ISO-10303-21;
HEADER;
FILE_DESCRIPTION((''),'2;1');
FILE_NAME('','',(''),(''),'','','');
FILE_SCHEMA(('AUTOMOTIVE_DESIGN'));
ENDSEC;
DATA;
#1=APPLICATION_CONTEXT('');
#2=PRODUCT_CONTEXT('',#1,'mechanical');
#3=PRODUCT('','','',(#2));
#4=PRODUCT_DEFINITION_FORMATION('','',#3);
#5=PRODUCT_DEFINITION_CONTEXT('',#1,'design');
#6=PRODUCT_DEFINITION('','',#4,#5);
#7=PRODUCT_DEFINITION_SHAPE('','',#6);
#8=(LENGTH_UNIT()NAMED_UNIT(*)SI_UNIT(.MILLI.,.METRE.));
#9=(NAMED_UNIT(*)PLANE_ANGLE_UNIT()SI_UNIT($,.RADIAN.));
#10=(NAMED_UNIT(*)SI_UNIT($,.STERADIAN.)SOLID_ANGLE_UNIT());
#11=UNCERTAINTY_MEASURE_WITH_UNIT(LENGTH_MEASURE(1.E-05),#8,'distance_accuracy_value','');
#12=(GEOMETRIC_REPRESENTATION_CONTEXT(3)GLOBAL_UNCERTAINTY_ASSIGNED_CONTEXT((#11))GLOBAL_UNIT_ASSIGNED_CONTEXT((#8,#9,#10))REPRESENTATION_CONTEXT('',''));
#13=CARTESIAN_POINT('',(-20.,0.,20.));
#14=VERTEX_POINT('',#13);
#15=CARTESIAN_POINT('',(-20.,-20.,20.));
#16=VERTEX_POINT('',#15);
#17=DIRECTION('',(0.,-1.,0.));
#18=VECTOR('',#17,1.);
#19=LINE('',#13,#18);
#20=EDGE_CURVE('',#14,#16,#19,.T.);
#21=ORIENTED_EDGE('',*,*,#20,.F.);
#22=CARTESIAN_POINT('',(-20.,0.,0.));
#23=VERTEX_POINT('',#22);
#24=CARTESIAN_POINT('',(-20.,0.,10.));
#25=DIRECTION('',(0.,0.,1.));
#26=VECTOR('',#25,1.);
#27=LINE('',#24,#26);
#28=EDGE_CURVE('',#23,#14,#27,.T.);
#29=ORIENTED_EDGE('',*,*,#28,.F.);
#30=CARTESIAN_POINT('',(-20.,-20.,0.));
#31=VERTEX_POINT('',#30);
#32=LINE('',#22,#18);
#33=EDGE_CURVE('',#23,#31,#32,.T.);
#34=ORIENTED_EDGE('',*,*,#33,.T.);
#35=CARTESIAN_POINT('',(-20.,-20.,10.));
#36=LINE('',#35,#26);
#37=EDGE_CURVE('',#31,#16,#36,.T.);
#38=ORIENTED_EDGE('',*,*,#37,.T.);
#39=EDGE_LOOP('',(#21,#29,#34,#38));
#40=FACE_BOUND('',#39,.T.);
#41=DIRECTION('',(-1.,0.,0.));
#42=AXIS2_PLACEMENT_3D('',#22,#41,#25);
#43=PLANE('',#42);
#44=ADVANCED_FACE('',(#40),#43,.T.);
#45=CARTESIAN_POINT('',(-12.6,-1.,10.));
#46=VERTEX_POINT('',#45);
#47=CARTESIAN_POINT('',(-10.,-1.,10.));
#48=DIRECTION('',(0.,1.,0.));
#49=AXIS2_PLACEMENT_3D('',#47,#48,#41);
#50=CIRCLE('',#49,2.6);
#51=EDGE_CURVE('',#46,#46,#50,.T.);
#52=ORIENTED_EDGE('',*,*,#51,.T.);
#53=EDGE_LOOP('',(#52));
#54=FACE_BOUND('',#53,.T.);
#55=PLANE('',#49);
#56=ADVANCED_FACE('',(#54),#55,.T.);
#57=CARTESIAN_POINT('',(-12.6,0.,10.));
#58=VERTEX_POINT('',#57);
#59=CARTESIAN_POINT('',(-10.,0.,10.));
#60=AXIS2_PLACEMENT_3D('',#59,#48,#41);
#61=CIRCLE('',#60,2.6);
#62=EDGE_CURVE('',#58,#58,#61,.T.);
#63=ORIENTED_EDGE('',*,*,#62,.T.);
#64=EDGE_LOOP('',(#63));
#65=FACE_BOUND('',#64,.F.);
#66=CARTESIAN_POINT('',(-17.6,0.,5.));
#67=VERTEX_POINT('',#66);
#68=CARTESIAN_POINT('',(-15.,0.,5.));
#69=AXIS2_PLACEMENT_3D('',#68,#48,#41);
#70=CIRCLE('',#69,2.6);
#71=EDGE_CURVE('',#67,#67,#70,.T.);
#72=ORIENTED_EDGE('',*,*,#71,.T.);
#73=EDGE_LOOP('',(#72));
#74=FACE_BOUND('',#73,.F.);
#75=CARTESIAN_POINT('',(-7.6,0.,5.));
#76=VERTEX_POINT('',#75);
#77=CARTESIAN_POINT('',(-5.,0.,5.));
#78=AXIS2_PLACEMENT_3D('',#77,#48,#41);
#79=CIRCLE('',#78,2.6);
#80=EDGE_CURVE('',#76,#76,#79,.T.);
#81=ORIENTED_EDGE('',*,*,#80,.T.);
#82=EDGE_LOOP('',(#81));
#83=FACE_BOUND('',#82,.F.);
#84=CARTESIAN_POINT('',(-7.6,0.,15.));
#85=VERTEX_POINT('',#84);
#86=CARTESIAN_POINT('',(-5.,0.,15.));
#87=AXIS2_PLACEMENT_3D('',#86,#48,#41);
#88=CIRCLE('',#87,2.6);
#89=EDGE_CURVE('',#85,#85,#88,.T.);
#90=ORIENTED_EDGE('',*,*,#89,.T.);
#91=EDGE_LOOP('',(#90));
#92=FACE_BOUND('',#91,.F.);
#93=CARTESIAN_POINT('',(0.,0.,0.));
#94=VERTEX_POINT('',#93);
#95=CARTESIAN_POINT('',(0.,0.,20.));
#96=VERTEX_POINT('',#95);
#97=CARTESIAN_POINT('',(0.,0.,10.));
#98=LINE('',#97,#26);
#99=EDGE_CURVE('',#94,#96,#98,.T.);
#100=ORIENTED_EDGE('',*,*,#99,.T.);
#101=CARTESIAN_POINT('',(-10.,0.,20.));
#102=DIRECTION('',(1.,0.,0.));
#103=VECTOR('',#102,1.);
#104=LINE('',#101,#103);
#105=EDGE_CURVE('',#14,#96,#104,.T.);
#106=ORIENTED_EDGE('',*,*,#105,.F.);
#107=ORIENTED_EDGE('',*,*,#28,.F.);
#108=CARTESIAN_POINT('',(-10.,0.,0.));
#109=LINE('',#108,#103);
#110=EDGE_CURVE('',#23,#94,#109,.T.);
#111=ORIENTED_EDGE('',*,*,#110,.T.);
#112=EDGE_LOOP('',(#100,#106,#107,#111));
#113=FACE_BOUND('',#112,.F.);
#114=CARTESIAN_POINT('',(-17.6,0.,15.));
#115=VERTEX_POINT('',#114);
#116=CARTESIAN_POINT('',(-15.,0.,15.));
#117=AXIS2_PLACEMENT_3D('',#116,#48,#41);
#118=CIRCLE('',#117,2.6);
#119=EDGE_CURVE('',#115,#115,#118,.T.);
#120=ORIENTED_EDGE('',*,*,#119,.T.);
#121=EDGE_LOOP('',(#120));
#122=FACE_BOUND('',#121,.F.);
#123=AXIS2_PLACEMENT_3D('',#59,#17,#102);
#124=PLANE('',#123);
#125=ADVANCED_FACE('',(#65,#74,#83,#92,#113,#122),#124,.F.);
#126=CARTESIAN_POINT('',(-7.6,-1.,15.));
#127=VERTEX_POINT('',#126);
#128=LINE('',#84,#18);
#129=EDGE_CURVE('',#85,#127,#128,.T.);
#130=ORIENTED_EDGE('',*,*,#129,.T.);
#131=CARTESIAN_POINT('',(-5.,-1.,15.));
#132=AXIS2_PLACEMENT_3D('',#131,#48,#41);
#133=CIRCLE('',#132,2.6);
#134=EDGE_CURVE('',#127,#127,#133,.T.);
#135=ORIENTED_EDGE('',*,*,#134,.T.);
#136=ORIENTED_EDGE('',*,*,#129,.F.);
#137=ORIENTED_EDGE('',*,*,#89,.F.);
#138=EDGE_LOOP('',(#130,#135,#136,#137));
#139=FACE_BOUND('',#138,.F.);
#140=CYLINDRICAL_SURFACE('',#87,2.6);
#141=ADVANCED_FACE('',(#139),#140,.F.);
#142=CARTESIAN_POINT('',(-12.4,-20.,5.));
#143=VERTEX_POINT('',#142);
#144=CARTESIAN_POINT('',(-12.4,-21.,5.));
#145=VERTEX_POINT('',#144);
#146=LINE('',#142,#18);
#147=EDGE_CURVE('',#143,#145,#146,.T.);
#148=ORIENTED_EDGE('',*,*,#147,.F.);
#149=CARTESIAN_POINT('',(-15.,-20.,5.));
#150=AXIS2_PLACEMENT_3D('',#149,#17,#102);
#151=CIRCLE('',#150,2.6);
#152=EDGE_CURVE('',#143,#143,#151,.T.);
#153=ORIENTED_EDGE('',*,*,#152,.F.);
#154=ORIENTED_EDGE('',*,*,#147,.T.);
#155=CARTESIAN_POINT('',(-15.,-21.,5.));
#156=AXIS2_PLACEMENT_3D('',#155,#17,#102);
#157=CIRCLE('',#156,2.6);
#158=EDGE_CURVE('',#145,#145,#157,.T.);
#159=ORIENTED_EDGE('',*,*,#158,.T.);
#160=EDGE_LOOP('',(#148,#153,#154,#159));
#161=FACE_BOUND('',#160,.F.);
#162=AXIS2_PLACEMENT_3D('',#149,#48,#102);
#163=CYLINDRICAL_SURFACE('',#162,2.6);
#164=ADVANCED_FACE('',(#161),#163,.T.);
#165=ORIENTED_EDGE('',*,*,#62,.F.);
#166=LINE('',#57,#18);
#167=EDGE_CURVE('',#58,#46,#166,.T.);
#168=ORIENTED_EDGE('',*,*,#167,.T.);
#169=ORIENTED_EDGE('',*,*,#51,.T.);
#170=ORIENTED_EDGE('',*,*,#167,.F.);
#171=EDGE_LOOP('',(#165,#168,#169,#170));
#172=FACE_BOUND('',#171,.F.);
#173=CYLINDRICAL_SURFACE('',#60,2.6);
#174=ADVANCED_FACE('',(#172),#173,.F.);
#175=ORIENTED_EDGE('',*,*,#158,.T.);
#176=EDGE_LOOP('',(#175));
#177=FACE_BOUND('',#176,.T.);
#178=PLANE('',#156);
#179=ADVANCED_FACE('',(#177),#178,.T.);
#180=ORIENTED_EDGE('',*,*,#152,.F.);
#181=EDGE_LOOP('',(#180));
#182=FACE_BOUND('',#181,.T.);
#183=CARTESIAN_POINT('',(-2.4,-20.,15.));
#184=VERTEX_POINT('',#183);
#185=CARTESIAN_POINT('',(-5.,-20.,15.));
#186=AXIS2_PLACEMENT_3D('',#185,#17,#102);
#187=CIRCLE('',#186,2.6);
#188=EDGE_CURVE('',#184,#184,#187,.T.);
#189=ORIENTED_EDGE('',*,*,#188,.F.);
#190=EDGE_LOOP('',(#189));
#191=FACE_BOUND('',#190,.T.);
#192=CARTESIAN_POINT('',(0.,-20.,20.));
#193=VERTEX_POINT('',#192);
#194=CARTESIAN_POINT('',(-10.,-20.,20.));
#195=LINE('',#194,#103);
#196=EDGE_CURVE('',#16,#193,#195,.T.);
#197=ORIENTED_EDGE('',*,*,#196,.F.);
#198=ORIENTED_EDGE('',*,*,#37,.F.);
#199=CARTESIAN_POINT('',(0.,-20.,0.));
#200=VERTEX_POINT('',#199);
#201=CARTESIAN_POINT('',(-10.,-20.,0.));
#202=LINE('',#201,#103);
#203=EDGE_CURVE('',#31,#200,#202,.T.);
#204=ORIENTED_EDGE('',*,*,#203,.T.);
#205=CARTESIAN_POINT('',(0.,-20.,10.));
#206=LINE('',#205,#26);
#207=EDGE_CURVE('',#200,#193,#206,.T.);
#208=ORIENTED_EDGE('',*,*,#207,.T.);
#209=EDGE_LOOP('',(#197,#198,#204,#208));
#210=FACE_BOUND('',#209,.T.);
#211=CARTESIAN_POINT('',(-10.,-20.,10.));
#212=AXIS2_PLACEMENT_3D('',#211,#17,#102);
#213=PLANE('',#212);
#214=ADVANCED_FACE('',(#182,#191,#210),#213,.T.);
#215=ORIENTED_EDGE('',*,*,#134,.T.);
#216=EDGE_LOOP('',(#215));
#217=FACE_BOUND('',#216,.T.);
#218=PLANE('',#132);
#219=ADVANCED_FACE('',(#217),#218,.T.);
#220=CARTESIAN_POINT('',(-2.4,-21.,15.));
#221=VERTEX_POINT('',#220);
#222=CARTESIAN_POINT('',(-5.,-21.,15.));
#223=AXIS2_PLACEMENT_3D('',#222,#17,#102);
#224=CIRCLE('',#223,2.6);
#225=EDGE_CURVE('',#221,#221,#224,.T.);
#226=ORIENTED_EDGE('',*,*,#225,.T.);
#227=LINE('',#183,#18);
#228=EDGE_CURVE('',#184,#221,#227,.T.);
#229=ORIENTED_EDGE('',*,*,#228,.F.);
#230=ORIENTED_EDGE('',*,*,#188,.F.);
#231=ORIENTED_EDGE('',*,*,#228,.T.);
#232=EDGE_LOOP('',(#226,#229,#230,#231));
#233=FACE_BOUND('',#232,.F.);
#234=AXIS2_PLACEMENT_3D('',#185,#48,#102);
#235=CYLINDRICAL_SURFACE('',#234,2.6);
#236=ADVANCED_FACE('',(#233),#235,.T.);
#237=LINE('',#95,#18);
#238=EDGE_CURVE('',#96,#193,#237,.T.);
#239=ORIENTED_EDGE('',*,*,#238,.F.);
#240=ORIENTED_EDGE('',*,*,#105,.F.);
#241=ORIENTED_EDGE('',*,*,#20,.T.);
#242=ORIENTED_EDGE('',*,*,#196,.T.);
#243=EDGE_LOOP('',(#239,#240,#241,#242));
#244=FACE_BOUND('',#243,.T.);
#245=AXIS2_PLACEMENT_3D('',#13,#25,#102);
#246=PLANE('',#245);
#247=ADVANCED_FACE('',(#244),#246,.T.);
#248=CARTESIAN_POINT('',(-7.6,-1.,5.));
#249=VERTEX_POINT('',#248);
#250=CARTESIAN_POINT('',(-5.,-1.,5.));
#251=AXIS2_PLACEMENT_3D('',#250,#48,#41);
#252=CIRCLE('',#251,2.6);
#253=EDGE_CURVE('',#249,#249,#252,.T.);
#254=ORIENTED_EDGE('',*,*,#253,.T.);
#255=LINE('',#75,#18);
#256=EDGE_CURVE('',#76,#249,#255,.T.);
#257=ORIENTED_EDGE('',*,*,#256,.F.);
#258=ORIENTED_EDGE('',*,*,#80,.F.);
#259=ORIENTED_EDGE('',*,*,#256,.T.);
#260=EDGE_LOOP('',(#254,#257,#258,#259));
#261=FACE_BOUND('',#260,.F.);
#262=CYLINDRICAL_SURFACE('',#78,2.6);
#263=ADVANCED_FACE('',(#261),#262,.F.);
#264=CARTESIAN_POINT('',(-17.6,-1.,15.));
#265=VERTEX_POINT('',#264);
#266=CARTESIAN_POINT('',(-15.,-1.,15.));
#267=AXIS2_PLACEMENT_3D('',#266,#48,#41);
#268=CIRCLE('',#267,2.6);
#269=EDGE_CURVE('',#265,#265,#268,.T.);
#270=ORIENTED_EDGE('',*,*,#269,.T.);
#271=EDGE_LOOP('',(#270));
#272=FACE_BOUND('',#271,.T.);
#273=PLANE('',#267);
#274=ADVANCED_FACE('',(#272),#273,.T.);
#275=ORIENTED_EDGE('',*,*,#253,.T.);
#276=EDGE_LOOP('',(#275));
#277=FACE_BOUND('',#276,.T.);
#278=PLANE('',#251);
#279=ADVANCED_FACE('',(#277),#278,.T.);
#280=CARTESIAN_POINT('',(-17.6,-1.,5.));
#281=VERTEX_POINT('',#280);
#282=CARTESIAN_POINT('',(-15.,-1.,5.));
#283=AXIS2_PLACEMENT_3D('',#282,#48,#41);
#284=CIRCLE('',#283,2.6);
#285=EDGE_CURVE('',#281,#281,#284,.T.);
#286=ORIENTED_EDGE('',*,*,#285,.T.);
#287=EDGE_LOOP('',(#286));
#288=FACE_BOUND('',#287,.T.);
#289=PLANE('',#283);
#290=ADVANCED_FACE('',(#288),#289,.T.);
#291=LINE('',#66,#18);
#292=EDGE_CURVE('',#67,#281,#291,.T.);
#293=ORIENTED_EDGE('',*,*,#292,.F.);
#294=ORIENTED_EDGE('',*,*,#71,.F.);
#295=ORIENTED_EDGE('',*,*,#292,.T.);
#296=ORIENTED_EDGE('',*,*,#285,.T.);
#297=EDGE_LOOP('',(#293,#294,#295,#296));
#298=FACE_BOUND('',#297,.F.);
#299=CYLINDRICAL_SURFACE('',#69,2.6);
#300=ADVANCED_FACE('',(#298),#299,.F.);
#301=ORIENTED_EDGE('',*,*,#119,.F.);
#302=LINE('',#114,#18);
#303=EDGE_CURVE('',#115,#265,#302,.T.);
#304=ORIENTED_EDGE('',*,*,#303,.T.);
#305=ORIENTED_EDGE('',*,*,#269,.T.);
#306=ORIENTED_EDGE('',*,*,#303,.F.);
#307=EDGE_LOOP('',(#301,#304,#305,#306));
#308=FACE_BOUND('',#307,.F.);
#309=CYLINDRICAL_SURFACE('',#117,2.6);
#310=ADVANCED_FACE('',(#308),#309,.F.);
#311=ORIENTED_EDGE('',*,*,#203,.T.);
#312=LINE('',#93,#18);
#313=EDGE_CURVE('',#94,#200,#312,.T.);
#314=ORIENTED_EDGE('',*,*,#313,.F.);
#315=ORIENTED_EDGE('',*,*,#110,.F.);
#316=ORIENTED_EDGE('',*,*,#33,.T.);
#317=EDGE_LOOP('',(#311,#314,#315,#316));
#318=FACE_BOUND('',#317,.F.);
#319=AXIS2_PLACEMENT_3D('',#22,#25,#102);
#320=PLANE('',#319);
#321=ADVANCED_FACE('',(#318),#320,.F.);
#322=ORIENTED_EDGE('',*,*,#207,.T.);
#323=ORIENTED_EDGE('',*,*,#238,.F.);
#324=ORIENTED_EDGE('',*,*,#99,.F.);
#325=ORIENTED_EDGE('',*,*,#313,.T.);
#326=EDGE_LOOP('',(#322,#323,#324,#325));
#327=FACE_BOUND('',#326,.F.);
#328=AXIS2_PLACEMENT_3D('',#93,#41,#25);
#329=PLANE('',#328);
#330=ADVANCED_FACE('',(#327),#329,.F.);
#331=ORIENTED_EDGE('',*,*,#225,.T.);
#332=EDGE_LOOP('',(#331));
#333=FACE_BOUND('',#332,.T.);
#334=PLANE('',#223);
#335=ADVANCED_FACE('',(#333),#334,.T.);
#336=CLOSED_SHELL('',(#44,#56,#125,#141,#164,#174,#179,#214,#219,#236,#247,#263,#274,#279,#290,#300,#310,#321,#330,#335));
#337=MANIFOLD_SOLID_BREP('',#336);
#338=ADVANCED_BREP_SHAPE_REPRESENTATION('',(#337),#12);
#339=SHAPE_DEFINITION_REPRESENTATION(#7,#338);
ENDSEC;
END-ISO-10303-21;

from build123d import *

# Parameters (mm, degrees)
F0_W     = 20
F0_H     = 20
F1_DEPTH = 20
F2_R     = 2.6
F3_DEPTH = 1
F4_R     = 2.6
F5_DEPTH = 1


with BuildPart() as f1:
    # F0 (on Front) → F1 (new body)
    with BuildSketch(Plane.XZ):
        with Locations((-10, 10)):
            Rectangle(F0_W, F0_H)
    extrude(amount=F1_DEPTH)

    # F2 (on face) → F3 (cut)
    with BuildSketch(Plane(origin=(0, 0, 0), x_dir=(-1, 0, 0), z_dir=(0, 1, 0))):
        with Locations((10, 10)):
            Circle(F2_R)
        with Locations((5, 15)):
            Circle(F2_R)
        with Locations((5, 5)):
            Circle(F2_R)
        with Locations((15, 15)):
            Circle(F2_R)
        with Locations((15, 5)):
            Circle(F2_R)
    extrude(amount=-F3_DEPTH, mode=Mode.SUBTRACT)

    # F4 (on face) → F5 (join)
    with BuildSketch(Plane.XZ.offset(20)):
        with Locations((-5, 15)):
            Circle(F4_R)
        with Locations((-15, 5)):
            Circle(F4_R)
    extrude(amount=F5_DEPTH)


solid = f1.part
